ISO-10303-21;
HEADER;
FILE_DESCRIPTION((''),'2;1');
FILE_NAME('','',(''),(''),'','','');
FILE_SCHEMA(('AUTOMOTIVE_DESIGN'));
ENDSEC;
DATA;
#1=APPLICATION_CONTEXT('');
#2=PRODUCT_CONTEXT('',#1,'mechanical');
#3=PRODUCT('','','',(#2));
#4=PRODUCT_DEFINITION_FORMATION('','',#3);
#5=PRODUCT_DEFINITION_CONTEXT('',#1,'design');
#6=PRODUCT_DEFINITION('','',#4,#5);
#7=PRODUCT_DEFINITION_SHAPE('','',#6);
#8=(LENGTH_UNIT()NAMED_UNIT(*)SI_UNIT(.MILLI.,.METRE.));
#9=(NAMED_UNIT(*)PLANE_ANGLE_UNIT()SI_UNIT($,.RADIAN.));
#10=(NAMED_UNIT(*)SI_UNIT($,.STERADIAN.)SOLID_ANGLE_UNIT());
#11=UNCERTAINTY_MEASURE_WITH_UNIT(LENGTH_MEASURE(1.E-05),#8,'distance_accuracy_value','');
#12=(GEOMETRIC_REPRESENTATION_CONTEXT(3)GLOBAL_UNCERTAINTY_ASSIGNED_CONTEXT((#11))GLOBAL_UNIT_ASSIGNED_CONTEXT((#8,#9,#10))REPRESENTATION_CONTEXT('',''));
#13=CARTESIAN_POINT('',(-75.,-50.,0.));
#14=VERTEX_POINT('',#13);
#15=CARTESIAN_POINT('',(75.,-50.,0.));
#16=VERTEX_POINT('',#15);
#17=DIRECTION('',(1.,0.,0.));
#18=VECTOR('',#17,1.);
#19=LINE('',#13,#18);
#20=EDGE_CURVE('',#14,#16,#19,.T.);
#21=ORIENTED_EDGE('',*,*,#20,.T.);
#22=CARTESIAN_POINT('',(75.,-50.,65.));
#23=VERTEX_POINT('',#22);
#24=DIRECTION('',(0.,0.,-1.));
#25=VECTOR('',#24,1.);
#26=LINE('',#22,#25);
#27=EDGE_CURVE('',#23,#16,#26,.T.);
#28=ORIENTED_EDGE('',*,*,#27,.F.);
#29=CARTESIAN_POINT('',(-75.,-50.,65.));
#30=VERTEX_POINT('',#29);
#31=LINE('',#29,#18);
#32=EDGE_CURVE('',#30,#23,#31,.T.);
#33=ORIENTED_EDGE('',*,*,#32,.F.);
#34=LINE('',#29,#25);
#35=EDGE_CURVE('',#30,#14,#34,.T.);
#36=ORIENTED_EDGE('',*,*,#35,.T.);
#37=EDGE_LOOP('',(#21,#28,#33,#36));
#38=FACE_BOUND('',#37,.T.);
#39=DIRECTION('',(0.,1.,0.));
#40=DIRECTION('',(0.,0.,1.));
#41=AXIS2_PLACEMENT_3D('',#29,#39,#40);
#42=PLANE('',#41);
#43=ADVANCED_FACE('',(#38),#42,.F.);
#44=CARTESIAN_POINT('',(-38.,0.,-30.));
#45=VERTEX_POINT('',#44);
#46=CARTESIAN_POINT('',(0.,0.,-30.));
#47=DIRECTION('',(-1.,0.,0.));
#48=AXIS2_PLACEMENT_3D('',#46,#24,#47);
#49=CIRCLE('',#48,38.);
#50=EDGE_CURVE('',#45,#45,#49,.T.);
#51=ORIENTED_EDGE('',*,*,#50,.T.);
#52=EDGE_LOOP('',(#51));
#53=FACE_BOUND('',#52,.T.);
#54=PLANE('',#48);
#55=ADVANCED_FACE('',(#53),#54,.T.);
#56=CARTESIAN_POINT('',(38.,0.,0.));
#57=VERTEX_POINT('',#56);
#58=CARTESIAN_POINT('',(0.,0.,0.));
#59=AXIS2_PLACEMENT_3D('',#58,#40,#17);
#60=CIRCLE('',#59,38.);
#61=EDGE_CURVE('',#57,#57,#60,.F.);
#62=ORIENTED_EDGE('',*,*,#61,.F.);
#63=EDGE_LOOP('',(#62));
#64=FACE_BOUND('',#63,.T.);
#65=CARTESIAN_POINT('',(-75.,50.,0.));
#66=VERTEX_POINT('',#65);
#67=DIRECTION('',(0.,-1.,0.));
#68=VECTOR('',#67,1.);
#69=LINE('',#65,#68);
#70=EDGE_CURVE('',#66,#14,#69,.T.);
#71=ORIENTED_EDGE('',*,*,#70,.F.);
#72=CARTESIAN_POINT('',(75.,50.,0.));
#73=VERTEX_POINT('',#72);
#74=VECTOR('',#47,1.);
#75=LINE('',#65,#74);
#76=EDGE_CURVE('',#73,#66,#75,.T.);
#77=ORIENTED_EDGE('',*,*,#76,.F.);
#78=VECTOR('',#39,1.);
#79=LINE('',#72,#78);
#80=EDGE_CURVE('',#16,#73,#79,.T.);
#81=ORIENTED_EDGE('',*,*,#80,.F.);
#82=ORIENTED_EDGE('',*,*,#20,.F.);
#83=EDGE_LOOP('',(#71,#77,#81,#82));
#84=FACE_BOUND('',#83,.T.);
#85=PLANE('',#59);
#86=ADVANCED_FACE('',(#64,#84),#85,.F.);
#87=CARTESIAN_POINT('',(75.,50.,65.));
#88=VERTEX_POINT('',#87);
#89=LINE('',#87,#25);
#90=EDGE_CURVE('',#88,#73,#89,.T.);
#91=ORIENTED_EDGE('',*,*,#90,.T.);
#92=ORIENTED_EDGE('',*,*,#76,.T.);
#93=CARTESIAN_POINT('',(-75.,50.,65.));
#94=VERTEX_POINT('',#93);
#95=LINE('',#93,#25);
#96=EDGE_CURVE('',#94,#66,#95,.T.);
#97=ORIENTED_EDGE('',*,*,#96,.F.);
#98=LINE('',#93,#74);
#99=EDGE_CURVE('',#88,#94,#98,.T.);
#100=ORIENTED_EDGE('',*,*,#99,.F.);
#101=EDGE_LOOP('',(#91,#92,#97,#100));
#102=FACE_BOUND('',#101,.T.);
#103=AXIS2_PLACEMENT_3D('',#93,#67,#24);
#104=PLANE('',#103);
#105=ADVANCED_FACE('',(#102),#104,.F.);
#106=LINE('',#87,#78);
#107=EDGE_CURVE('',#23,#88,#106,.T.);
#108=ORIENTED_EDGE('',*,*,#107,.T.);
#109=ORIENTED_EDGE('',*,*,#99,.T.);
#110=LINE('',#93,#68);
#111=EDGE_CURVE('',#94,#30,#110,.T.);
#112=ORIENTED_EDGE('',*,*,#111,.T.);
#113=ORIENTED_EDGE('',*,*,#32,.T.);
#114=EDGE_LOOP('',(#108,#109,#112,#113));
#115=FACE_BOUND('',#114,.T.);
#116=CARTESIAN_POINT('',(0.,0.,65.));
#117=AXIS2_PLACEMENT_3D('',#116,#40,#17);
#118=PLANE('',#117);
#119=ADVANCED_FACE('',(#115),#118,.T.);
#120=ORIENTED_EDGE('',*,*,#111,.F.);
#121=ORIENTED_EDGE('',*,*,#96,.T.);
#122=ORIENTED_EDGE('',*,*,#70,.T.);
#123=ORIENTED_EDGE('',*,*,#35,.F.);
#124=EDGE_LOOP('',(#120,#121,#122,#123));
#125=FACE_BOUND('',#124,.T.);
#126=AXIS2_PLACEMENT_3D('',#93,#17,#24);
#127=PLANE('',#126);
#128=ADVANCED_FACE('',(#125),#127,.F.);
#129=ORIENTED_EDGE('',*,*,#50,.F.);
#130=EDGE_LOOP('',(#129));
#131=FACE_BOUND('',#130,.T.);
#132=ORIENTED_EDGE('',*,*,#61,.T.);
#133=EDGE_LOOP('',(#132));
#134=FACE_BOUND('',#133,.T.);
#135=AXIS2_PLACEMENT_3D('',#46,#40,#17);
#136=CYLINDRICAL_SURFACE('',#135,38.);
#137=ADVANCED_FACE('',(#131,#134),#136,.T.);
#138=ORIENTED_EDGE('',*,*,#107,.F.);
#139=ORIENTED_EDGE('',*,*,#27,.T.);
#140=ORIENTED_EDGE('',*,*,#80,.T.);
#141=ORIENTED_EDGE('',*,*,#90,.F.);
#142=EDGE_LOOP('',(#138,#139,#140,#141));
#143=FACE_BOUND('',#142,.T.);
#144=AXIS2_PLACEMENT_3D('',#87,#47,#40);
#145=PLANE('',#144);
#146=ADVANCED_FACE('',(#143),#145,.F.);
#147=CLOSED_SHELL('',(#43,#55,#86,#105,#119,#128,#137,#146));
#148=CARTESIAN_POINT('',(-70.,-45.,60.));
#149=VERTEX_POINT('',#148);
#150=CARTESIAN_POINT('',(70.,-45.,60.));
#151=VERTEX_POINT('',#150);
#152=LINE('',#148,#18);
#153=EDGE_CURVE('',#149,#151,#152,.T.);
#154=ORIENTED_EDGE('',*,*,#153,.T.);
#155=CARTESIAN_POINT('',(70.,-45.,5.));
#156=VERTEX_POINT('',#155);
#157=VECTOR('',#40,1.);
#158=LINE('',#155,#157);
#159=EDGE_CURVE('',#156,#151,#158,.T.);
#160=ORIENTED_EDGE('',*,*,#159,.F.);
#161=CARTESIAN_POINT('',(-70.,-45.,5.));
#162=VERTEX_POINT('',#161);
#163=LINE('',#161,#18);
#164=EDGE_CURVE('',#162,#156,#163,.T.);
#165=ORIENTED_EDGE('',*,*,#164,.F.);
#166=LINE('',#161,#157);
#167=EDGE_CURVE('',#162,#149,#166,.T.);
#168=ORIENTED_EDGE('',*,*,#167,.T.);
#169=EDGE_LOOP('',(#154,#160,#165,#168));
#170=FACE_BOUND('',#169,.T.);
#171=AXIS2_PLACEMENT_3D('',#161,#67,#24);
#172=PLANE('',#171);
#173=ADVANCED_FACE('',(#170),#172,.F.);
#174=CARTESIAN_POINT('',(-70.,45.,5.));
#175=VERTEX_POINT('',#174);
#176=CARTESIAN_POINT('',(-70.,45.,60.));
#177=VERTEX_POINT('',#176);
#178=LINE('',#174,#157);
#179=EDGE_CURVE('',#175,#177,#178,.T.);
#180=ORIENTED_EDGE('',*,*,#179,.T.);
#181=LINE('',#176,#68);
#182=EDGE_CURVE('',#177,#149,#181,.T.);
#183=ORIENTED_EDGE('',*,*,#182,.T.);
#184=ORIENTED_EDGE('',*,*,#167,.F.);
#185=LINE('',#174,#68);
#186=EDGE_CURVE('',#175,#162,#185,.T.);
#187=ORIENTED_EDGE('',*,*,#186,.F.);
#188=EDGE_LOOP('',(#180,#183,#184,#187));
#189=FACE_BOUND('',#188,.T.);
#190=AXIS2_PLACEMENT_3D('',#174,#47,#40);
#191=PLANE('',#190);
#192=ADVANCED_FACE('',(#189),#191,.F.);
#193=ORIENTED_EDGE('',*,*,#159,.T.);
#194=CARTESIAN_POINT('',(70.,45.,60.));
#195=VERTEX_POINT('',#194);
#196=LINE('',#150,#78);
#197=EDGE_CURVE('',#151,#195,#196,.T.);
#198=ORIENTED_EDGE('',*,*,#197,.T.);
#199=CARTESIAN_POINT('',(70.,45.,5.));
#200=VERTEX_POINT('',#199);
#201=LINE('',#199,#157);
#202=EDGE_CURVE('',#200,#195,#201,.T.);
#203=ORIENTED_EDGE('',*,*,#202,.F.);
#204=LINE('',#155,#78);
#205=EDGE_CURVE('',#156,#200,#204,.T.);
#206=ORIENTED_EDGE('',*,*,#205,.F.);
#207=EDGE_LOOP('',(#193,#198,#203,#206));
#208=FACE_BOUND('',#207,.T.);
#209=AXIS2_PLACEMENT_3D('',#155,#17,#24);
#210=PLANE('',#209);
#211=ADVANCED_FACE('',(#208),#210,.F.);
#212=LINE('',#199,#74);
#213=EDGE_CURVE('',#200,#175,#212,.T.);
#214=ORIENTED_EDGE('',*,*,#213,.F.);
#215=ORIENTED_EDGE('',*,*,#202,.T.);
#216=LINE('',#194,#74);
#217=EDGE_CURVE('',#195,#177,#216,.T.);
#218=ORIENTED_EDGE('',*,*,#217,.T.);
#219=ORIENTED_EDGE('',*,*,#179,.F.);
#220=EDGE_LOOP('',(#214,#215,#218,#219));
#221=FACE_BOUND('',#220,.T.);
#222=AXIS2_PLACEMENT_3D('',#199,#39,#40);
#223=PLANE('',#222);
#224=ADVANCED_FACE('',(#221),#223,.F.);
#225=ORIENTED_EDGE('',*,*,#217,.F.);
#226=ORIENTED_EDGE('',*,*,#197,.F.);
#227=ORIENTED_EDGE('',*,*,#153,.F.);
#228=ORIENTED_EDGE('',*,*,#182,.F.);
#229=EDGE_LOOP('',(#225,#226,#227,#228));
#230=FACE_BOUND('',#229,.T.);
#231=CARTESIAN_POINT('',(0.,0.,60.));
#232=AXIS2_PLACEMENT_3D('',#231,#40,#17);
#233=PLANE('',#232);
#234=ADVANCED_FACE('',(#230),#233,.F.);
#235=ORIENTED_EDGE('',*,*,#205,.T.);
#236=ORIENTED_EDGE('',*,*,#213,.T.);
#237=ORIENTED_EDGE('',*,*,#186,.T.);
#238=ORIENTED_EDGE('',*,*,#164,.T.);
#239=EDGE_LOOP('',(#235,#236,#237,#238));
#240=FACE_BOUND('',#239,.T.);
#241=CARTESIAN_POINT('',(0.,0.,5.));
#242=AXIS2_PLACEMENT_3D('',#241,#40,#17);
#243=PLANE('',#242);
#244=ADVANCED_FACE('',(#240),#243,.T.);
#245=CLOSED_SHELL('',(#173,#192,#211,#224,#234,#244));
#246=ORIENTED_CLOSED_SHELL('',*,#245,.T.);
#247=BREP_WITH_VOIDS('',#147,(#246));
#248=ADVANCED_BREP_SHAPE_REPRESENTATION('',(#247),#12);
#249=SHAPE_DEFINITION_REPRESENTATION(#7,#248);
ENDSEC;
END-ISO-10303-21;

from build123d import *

# Parameters (mm, degrees)
SKETCH_1_W          = 150
SKETCH_1_H          = 100
EXTRUDE_1_DEPTH     = 65
SKETCH_4_W          = 140
SKETCH_4_H          = 90
CUT_EXTRUDE_1_DEPTH = 55
SKETCH_5_R          = 38
EXTRUDE_2_DEPTH     = 30


with BuildPart() as part:
    # 草图1 → 凸台-拉伸1 (new body)
    with BuildSketch(Plane.XY):
        Rectangle(SKETCH_1_W, SKETCH_1_H)
    extrude(amount=EXTRUDE_1_DEPTH)

    # 草图4 → 切除-拉伸1 (cut)
    with BuildSketch(Plane.XY.offset(60)):
        Rectangle(SKETCH_4_W, SKETCH_4_H)
    extrude(amount=-CUT_EXTRUDE_1_DEPTH, mode=Mode.SUBTRACT)

    # 草图5 → 凸台-拉伸2 (add)
    with BuildSketch(Plane(origin=(0, 0, 0), x_dir=(-1, 0, 0), z_dir=(0, 0, -1))):
        with Locations(Location((0, 0, 0), (0, 0, 180))):
            Circle(SKETCH_5_R)
    extrude(amount=EXTRUDE_2_DEPTH)


solid = part.part
